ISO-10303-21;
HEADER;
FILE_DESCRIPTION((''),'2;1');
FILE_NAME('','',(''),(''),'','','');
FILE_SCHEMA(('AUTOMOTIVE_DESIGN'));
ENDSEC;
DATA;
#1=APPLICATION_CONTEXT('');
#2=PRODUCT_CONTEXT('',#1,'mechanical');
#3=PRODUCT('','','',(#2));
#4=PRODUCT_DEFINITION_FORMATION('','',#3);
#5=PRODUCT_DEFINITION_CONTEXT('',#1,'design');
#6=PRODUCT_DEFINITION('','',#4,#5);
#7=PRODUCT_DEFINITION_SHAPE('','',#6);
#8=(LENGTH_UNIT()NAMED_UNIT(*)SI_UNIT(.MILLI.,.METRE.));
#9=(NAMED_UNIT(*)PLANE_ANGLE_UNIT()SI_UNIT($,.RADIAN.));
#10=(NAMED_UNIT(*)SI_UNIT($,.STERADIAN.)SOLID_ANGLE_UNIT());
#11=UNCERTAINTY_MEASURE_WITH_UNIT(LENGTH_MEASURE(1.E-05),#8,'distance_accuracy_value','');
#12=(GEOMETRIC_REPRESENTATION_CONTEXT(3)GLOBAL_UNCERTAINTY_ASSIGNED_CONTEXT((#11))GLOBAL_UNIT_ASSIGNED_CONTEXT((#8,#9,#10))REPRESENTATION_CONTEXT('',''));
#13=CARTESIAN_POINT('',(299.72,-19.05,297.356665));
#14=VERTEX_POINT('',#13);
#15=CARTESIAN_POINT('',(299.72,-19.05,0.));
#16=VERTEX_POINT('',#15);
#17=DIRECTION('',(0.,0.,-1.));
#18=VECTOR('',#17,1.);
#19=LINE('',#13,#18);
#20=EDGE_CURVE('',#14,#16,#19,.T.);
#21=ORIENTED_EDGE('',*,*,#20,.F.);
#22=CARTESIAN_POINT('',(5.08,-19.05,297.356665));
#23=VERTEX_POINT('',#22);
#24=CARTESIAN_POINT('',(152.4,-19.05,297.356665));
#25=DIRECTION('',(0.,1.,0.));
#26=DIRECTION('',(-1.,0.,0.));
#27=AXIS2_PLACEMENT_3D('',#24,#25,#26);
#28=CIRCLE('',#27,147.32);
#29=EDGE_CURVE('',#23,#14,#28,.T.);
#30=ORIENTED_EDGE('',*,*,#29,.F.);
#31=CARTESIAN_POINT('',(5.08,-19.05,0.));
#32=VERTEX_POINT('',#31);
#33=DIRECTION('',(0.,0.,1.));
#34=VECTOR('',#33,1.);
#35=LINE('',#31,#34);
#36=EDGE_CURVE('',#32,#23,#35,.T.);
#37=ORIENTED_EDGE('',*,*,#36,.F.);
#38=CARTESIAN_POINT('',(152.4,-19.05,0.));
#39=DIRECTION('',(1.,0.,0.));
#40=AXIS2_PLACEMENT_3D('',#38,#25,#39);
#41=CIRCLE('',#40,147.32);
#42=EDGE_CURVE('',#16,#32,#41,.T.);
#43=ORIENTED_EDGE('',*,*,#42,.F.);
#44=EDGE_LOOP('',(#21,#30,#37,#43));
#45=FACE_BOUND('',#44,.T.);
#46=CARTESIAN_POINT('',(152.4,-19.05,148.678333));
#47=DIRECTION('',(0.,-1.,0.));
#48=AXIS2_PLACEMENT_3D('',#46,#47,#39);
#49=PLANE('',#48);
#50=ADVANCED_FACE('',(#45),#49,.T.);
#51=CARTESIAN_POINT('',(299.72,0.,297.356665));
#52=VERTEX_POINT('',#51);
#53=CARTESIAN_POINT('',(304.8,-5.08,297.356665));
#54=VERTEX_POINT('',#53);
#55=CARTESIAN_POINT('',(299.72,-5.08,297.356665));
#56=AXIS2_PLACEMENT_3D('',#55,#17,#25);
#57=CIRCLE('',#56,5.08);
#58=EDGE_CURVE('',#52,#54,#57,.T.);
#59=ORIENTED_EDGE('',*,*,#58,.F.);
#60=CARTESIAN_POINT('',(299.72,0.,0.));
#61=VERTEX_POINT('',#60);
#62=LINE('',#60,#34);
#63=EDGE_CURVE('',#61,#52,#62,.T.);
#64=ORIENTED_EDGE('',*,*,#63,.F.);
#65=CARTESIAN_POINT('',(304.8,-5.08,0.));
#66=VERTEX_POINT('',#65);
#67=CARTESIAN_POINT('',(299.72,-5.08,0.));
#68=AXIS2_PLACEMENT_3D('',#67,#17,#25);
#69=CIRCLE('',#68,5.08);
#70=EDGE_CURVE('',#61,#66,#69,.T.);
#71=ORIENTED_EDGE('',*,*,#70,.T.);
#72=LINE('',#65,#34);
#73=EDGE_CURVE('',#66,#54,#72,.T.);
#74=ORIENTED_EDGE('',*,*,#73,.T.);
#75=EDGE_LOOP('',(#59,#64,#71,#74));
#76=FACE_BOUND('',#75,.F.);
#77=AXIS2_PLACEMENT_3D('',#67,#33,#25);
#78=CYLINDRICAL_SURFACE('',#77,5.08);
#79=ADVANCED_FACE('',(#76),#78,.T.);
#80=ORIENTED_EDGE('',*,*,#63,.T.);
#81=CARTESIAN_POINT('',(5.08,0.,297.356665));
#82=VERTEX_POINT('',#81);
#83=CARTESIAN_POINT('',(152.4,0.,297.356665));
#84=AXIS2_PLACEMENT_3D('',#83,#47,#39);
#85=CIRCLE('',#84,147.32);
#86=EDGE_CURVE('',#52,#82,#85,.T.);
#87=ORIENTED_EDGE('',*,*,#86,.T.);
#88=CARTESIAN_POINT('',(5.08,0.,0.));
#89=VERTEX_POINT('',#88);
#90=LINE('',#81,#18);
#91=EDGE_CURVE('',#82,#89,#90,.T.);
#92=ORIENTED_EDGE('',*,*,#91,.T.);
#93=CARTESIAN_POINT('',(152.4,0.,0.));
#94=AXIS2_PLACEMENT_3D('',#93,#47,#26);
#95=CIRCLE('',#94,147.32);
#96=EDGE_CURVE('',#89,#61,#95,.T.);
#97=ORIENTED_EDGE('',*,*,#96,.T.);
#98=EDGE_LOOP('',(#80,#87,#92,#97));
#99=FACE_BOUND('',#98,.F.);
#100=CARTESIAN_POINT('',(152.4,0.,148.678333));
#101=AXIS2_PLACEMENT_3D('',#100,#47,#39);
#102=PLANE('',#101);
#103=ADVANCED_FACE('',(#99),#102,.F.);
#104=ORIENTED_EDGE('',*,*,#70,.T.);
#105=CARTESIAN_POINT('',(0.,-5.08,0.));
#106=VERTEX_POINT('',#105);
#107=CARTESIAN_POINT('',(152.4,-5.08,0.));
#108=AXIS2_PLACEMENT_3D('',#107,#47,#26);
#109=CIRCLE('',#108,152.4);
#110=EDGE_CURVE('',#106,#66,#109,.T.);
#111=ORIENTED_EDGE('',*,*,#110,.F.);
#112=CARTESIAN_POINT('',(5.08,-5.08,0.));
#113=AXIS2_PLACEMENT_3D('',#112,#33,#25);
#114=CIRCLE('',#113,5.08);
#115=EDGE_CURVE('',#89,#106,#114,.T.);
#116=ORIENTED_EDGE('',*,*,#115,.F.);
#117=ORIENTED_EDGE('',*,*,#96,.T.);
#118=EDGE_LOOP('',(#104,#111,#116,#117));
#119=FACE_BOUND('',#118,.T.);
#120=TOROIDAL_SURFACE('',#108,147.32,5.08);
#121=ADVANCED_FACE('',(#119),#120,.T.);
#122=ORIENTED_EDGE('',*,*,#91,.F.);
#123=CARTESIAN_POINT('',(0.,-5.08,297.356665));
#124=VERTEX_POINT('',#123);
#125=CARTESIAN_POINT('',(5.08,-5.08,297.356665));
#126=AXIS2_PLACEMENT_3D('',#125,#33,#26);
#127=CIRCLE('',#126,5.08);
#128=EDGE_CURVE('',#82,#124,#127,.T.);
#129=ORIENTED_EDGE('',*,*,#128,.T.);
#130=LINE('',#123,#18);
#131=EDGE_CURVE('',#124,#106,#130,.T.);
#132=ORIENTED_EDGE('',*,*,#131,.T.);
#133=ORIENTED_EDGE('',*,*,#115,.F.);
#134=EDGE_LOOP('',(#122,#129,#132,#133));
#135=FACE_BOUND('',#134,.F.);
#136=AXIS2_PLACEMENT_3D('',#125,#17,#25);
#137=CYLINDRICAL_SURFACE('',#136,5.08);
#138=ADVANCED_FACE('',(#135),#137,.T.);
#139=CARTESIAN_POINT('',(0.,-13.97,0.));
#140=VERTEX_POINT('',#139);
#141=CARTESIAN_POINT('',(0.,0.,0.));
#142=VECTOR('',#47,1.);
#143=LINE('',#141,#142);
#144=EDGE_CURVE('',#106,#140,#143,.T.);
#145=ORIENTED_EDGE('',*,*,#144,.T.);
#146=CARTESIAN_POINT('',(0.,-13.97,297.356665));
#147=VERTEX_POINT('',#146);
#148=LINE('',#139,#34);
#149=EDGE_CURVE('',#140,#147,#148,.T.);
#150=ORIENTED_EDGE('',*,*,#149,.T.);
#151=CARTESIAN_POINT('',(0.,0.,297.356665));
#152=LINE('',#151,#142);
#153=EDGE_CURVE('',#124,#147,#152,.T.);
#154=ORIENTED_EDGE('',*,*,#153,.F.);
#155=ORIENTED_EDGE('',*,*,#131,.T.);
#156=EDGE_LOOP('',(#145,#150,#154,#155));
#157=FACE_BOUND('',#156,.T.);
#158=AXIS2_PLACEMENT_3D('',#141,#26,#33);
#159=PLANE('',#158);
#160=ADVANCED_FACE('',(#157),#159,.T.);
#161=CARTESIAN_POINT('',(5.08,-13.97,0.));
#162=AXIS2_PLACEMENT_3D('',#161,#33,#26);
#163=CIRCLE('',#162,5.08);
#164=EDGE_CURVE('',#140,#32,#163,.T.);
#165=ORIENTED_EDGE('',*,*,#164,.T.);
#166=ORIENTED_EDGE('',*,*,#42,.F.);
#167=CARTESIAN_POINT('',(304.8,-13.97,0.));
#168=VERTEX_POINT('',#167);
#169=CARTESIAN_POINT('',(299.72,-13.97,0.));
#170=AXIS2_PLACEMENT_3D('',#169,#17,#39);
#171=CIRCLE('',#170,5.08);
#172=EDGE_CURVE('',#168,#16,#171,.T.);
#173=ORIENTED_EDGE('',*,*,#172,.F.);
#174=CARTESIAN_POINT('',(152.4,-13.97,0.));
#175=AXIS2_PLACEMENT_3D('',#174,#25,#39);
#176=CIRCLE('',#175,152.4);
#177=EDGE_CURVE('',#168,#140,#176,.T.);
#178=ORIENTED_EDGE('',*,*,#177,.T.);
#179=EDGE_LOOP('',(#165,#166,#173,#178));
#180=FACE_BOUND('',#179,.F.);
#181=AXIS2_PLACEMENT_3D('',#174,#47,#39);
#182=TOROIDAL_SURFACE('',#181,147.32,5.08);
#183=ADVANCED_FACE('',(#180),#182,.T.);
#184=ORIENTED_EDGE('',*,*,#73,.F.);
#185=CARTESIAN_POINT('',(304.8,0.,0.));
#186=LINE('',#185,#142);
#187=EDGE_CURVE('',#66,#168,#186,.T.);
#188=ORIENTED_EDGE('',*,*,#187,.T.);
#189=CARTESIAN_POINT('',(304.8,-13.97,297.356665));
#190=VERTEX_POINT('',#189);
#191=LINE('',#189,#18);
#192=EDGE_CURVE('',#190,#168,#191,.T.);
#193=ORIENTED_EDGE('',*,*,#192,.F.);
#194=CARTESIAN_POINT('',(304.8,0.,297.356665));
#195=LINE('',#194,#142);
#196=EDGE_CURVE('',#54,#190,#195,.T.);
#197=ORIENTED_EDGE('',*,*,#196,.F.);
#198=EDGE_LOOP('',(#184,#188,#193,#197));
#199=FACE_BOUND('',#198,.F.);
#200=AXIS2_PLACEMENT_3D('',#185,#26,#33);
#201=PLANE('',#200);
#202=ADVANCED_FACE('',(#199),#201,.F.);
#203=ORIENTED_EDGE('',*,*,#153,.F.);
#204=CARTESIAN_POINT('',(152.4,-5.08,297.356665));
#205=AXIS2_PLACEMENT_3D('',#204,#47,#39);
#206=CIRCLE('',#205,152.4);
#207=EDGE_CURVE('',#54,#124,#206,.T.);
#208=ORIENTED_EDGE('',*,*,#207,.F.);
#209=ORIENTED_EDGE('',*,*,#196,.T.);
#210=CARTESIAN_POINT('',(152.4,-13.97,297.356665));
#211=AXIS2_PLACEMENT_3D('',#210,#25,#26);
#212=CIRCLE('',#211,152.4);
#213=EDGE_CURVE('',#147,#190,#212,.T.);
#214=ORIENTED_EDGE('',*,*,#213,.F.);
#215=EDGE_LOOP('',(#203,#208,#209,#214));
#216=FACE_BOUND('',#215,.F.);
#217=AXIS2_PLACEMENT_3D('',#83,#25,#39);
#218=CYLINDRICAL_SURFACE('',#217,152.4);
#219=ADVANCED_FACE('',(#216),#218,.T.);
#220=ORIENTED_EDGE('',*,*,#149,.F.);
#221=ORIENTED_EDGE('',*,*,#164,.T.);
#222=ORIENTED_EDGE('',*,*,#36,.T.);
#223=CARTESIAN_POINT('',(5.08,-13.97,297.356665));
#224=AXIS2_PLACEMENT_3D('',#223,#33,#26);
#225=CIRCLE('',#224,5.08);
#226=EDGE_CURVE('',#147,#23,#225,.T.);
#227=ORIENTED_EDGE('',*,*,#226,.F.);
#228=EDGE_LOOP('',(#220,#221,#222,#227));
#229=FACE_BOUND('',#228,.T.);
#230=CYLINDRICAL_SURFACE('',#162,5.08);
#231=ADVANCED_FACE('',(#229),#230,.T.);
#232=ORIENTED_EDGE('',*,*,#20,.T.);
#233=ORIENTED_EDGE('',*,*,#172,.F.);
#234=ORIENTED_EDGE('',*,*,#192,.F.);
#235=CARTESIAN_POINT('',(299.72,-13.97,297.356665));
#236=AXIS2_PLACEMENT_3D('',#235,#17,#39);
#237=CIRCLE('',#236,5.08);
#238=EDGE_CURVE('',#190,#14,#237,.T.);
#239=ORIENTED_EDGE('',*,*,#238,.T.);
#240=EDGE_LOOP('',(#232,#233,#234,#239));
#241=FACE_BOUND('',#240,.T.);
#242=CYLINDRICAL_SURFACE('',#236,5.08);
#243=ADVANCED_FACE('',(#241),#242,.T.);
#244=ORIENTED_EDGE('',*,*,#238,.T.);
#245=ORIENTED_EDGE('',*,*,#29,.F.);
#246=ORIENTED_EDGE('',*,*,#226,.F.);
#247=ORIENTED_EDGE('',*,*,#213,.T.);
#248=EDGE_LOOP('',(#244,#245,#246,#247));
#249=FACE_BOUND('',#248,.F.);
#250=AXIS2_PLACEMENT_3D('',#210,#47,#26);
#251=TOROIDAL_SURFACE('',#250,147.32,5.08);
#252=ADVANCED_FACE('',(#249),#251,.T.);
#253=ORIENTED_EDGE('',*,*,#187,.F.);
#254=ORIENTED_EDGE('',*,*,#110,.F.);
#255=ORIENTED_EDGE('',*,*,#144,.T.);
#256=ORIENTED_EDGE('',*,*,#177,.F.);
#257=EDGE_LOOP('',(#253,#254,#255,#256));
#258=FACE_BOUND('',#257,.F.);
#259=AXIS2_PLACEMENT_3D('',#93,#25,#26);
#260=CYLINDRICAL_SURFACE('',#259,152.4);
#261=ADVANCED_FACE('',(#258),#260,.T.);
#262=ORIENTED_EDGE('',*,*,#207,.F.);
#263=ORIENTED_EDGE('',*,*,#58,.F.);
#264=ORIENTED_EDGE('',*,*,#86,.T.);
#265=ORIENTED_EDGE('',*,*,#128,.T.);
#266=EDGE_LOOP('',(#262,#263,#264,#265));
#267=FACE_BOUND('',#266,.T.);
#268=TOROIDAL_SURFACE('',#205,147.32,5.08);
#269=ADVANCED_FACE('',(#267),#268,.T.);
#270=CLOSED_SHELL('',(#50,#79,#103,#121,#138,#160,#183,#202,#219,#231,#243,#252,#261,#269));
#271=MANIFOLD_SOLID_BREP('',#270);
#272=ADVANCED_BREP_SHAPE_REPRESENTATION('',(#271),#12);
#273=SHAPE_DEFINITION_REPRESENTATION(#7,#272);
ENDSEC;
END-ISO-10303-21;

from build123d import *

# Parameters (mm, degrees)
F0_W     = 304.8
F0_H     = 457.2
F1_DEPTH = 19.05
F2_R     = 5.08
F3_R     = 5.08
F4_W     = 304.8
F4_H     = 297.3566651344
F5_DEPTH = 19.05
F7_R     = 5.08
F8_R     = 5.08


with BuildPart() as f1:
    # F0 (on Front) → F1 (new body)
    with BuildSketch(Plane.XZ):
        with BuildLine():
            ThreePointArc((304.8, 457.2), (152.4, 609.6), (0, 457.2))
            Line((0, 457.2), (304.8, 457.2))
        make_face()
        with Locations((152.4, 228.6)):
            Rectangle(F0_W, F0_H)
        with BuildLine():
            Line((304.8, 0), (0, 0))
            ThreePointArc((0, 0), (152.4, -152.4), (304.8, 0))
        make_face()
    extrude(amount=F1_DEPTH)

    # F2
    f2_edges = [f1.edges().sort_by_distance(p)[0] for p in [
        (0, -19.05, 228.6),
        (152.4, -19.05, 609.6),
        (304.8, -19.05, 228.6),
        (152.4, -19.05, -152.4),
    ]]
    fillet(f2_edges, radius=F2_R)

    # F3
    f3_edges = [f1.edges().sort_by_distance(p)[0] for p in [
        (304.8, 0, 228.6),
        (152.4, 0, 609.6),
        (0, 0, 228.6),
        (152.4, 0, -152.4),
    ]]
    fillet(f3_edges, radius=F3_R)


with BuildPart() as f5:
    # F4 (on Front) → F5 (new body)
    with BuildSketch(Plane.XZ):
        with Locations((152.4, 148.6783325672)):
            Rectangle(F4_W, F4_H)
        with BuildLine():
            ThreePointArc((304.8, 297.3566651344), (152.4, 449.7566651344), (0, 297.3566651344))
            Line((0, 297.3566651344), (304.8, 297.3566651344))
        make_face()
        with BuildLine():
            Line((304.8, 0), (0, 0))
            ThreePointArc((0, 0), (152.4, -152.4), (304.8, 0))
        make_face()
    extrude(amount=F5_DEPTH)

    # F7
    f7_edges = [f5.edges().sort_by_distance(p)[0] for p in [
        (0, -19.05, 148.678333),
        (152.4, -19.05, 449.756665),
        (304.8, -19.05, 148.678333),
        (152.4, -19.05, -152.4),
    ]]
    fillet(f7_edges, radius=F7_R)

    # F8
    f8_edges = [f5.edges().sort_by_distance(p)[0] for p in [
        (304.8, 0, 148.678333),
        (152.4, 0, 449.756665),
        (0, 0, 148.678333),
        (152.4, 0, -152.4),
    ]]
    fillet(f8_edges, radius=F8_R)


solid = f5.part
